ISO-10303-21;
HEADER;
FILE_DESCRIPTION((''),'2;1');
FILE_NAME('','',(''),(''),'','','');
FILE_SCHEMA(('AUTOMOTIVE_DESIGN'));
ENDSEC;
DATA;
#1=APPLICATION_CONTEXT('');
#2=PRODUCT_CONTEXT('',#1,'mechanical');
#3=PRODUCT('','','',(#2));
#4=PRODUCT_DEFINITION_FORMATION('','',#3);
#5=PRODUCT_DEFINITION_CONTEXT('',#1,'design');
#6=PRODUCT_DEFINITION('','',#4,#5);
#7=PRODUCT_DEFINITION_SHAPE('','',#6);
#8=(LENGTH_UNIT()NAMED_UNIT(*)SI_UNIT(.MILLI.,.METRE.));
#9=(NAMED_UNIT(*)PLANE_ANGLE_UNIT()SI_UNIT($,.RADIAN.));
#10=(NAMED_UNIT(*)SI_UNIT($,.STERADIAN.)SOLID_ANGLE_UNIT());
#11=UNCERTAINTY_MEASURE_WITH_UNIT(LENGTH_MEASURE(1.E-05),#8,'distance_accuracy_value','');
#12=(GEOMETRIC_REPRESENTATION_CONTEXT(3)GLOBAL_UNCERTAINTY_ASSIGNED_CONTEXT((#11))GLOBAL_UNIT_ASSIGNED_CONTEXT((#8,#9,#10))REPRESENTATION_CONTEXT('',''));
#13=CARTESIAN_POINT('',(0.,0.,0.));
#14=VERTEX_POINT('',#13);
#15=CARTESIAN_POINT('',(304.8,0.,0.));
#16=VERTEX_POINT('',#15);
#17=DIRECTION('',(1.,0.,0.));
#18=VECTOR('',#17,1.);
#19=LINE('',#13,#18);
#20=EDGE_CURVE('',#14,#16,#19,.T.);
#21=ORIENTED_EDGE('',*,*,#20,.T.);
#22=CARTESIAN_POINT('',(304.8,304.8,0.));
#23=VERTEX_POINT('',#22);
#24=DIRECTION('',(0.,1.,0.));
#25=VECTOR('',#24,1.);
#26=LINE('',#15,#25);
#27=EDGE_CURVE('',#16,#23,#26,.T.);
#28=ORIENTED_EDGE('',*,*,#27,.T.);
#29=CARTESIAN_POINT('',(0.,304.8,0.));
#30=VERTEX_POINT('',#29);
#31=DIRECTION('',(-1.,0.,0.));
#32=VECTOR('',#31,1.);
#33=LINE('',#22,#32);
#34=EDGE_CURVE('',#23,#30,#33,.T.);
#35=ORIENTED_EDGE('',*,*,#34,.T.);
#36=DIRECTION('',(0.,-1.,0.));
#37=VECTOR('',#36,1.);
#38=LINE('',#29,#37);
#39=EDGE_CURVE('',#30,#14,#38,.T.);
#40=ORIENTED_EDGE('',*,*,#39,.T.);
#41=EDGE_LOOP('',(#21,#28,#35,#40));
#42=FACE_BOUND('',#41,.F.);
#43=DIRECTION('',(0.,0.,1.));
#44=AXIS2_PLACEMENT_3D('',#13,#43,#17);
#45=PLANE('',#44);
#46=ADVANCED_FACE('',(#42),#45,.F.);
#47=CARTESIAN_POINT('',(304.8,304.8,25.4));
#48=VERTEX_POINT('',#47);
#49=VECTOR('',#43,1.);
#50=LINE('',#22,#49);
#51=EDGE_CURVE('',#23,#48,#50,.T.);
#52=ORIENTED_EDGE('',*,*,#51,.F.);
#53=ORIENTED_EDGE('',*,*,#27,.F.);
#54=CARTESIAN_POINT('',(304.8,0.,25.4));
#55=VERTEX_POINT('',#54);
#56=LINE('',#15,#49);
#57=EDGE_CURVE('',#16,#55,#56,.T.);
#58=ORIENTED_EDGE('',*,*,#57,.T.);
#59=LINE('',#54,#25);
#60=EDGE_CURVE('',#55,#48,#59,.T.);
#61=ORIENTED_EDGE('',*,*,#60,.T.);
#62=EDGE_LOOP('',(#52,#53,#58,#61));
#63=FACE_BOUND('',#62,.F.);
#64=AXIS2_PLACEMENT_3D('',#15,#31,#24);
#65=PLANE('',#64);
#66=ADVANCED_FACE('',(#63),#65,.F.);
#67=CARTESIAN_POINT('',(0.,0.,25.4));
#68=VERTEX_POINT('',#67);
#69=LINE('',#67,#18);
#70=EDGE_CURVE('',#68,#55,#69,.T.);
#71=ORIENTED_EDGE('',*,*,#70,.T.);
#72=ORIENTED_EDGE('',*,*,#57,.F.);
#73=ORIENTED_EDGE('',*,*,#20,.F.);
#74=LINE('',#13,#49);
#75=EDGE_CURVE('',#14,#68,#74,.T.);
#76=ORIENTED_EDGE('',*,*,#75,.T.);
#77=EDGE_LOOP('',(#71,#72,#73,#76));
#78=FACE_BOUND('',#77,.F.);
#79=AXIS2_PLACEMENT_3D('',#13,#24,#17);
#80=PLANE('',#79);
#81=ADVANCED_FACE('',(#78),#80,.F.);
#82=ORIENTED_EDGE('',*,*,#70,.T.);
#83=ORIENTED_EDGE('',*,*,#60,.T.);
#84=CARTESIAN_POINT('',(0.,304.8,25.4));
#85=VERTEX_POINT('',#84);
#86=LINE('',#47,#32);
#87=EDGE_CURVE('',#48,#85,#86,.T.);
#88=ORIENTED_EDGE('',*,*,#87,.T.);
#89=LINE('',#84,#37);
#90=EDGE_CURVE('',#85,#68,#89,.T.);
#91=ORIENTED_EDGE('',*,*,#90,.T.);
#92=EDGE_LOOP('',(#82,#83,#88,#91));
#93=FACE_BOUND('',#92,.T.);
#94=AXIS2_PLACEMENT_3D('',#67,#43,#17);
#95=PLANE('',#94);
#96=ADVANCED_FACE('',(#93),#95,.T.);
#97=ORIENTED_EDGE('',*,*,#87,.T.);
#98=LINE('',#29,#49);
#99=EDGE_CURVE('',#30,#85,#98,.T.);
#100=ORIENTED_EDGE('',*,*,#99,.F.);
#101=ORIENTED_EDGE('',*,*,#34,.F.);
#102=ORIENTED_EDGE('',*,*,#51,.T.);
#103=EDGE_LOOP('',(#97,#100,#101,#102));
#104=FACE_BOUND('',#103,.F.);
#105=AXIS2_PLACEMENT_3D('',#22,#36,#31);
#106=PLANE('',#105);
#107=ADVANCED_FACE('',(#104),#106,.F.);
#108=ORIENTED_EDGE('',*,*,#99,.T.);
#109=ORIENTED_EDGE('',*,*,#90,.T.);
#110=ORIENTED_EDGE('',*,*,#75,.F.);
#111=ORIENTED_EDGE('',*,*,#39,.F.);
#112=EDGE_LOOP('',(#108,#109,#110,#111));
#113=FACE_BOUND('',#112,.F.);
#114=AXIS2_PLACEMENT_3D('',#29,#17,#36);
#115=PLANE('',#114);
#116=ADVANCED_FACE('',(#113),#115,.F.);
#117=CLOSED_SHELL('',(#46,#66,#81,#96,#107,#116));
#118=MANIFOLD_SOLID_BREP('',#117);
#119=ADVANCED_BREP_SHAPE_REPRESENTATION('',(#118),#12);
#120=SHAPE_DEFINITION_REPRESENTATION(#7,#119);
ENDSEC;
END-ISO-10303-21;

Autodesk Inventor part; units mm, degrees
ref_plane "YZ Plane" through (0, 0, 0) normal (1, 0, 0) x (0, 1, 0)
ref_plane "XZ Plane" through (0, 0, 0) normal (0, 1, 0) x (-1, 0, 0)
ref_plane "XY Plane" through (0, 0, 0) normal (0, 0, 1) x (1, 0, 0)
sketch "Sketch2" plane through (0, 0, 0) normal (0, 0, 1) x (1, 0, 0)
  line L0 (0, 0) -> (304.8, 0)
  line L1 (304.8, 0) -> (304.8, 304.8)
  line L2 (304.8, 304.8) -> (0, 304.8)
  line L3 (0, 304.8) -> (0, 0)
  dimension "d4" = 304.8
  dimension "d5" = 304.8
extrude "Extrusion2" add sketch "Sketch2" along normal blind 25.4
properties part number "Standard - Bolzano" material "Granite, Cut, Polished"
